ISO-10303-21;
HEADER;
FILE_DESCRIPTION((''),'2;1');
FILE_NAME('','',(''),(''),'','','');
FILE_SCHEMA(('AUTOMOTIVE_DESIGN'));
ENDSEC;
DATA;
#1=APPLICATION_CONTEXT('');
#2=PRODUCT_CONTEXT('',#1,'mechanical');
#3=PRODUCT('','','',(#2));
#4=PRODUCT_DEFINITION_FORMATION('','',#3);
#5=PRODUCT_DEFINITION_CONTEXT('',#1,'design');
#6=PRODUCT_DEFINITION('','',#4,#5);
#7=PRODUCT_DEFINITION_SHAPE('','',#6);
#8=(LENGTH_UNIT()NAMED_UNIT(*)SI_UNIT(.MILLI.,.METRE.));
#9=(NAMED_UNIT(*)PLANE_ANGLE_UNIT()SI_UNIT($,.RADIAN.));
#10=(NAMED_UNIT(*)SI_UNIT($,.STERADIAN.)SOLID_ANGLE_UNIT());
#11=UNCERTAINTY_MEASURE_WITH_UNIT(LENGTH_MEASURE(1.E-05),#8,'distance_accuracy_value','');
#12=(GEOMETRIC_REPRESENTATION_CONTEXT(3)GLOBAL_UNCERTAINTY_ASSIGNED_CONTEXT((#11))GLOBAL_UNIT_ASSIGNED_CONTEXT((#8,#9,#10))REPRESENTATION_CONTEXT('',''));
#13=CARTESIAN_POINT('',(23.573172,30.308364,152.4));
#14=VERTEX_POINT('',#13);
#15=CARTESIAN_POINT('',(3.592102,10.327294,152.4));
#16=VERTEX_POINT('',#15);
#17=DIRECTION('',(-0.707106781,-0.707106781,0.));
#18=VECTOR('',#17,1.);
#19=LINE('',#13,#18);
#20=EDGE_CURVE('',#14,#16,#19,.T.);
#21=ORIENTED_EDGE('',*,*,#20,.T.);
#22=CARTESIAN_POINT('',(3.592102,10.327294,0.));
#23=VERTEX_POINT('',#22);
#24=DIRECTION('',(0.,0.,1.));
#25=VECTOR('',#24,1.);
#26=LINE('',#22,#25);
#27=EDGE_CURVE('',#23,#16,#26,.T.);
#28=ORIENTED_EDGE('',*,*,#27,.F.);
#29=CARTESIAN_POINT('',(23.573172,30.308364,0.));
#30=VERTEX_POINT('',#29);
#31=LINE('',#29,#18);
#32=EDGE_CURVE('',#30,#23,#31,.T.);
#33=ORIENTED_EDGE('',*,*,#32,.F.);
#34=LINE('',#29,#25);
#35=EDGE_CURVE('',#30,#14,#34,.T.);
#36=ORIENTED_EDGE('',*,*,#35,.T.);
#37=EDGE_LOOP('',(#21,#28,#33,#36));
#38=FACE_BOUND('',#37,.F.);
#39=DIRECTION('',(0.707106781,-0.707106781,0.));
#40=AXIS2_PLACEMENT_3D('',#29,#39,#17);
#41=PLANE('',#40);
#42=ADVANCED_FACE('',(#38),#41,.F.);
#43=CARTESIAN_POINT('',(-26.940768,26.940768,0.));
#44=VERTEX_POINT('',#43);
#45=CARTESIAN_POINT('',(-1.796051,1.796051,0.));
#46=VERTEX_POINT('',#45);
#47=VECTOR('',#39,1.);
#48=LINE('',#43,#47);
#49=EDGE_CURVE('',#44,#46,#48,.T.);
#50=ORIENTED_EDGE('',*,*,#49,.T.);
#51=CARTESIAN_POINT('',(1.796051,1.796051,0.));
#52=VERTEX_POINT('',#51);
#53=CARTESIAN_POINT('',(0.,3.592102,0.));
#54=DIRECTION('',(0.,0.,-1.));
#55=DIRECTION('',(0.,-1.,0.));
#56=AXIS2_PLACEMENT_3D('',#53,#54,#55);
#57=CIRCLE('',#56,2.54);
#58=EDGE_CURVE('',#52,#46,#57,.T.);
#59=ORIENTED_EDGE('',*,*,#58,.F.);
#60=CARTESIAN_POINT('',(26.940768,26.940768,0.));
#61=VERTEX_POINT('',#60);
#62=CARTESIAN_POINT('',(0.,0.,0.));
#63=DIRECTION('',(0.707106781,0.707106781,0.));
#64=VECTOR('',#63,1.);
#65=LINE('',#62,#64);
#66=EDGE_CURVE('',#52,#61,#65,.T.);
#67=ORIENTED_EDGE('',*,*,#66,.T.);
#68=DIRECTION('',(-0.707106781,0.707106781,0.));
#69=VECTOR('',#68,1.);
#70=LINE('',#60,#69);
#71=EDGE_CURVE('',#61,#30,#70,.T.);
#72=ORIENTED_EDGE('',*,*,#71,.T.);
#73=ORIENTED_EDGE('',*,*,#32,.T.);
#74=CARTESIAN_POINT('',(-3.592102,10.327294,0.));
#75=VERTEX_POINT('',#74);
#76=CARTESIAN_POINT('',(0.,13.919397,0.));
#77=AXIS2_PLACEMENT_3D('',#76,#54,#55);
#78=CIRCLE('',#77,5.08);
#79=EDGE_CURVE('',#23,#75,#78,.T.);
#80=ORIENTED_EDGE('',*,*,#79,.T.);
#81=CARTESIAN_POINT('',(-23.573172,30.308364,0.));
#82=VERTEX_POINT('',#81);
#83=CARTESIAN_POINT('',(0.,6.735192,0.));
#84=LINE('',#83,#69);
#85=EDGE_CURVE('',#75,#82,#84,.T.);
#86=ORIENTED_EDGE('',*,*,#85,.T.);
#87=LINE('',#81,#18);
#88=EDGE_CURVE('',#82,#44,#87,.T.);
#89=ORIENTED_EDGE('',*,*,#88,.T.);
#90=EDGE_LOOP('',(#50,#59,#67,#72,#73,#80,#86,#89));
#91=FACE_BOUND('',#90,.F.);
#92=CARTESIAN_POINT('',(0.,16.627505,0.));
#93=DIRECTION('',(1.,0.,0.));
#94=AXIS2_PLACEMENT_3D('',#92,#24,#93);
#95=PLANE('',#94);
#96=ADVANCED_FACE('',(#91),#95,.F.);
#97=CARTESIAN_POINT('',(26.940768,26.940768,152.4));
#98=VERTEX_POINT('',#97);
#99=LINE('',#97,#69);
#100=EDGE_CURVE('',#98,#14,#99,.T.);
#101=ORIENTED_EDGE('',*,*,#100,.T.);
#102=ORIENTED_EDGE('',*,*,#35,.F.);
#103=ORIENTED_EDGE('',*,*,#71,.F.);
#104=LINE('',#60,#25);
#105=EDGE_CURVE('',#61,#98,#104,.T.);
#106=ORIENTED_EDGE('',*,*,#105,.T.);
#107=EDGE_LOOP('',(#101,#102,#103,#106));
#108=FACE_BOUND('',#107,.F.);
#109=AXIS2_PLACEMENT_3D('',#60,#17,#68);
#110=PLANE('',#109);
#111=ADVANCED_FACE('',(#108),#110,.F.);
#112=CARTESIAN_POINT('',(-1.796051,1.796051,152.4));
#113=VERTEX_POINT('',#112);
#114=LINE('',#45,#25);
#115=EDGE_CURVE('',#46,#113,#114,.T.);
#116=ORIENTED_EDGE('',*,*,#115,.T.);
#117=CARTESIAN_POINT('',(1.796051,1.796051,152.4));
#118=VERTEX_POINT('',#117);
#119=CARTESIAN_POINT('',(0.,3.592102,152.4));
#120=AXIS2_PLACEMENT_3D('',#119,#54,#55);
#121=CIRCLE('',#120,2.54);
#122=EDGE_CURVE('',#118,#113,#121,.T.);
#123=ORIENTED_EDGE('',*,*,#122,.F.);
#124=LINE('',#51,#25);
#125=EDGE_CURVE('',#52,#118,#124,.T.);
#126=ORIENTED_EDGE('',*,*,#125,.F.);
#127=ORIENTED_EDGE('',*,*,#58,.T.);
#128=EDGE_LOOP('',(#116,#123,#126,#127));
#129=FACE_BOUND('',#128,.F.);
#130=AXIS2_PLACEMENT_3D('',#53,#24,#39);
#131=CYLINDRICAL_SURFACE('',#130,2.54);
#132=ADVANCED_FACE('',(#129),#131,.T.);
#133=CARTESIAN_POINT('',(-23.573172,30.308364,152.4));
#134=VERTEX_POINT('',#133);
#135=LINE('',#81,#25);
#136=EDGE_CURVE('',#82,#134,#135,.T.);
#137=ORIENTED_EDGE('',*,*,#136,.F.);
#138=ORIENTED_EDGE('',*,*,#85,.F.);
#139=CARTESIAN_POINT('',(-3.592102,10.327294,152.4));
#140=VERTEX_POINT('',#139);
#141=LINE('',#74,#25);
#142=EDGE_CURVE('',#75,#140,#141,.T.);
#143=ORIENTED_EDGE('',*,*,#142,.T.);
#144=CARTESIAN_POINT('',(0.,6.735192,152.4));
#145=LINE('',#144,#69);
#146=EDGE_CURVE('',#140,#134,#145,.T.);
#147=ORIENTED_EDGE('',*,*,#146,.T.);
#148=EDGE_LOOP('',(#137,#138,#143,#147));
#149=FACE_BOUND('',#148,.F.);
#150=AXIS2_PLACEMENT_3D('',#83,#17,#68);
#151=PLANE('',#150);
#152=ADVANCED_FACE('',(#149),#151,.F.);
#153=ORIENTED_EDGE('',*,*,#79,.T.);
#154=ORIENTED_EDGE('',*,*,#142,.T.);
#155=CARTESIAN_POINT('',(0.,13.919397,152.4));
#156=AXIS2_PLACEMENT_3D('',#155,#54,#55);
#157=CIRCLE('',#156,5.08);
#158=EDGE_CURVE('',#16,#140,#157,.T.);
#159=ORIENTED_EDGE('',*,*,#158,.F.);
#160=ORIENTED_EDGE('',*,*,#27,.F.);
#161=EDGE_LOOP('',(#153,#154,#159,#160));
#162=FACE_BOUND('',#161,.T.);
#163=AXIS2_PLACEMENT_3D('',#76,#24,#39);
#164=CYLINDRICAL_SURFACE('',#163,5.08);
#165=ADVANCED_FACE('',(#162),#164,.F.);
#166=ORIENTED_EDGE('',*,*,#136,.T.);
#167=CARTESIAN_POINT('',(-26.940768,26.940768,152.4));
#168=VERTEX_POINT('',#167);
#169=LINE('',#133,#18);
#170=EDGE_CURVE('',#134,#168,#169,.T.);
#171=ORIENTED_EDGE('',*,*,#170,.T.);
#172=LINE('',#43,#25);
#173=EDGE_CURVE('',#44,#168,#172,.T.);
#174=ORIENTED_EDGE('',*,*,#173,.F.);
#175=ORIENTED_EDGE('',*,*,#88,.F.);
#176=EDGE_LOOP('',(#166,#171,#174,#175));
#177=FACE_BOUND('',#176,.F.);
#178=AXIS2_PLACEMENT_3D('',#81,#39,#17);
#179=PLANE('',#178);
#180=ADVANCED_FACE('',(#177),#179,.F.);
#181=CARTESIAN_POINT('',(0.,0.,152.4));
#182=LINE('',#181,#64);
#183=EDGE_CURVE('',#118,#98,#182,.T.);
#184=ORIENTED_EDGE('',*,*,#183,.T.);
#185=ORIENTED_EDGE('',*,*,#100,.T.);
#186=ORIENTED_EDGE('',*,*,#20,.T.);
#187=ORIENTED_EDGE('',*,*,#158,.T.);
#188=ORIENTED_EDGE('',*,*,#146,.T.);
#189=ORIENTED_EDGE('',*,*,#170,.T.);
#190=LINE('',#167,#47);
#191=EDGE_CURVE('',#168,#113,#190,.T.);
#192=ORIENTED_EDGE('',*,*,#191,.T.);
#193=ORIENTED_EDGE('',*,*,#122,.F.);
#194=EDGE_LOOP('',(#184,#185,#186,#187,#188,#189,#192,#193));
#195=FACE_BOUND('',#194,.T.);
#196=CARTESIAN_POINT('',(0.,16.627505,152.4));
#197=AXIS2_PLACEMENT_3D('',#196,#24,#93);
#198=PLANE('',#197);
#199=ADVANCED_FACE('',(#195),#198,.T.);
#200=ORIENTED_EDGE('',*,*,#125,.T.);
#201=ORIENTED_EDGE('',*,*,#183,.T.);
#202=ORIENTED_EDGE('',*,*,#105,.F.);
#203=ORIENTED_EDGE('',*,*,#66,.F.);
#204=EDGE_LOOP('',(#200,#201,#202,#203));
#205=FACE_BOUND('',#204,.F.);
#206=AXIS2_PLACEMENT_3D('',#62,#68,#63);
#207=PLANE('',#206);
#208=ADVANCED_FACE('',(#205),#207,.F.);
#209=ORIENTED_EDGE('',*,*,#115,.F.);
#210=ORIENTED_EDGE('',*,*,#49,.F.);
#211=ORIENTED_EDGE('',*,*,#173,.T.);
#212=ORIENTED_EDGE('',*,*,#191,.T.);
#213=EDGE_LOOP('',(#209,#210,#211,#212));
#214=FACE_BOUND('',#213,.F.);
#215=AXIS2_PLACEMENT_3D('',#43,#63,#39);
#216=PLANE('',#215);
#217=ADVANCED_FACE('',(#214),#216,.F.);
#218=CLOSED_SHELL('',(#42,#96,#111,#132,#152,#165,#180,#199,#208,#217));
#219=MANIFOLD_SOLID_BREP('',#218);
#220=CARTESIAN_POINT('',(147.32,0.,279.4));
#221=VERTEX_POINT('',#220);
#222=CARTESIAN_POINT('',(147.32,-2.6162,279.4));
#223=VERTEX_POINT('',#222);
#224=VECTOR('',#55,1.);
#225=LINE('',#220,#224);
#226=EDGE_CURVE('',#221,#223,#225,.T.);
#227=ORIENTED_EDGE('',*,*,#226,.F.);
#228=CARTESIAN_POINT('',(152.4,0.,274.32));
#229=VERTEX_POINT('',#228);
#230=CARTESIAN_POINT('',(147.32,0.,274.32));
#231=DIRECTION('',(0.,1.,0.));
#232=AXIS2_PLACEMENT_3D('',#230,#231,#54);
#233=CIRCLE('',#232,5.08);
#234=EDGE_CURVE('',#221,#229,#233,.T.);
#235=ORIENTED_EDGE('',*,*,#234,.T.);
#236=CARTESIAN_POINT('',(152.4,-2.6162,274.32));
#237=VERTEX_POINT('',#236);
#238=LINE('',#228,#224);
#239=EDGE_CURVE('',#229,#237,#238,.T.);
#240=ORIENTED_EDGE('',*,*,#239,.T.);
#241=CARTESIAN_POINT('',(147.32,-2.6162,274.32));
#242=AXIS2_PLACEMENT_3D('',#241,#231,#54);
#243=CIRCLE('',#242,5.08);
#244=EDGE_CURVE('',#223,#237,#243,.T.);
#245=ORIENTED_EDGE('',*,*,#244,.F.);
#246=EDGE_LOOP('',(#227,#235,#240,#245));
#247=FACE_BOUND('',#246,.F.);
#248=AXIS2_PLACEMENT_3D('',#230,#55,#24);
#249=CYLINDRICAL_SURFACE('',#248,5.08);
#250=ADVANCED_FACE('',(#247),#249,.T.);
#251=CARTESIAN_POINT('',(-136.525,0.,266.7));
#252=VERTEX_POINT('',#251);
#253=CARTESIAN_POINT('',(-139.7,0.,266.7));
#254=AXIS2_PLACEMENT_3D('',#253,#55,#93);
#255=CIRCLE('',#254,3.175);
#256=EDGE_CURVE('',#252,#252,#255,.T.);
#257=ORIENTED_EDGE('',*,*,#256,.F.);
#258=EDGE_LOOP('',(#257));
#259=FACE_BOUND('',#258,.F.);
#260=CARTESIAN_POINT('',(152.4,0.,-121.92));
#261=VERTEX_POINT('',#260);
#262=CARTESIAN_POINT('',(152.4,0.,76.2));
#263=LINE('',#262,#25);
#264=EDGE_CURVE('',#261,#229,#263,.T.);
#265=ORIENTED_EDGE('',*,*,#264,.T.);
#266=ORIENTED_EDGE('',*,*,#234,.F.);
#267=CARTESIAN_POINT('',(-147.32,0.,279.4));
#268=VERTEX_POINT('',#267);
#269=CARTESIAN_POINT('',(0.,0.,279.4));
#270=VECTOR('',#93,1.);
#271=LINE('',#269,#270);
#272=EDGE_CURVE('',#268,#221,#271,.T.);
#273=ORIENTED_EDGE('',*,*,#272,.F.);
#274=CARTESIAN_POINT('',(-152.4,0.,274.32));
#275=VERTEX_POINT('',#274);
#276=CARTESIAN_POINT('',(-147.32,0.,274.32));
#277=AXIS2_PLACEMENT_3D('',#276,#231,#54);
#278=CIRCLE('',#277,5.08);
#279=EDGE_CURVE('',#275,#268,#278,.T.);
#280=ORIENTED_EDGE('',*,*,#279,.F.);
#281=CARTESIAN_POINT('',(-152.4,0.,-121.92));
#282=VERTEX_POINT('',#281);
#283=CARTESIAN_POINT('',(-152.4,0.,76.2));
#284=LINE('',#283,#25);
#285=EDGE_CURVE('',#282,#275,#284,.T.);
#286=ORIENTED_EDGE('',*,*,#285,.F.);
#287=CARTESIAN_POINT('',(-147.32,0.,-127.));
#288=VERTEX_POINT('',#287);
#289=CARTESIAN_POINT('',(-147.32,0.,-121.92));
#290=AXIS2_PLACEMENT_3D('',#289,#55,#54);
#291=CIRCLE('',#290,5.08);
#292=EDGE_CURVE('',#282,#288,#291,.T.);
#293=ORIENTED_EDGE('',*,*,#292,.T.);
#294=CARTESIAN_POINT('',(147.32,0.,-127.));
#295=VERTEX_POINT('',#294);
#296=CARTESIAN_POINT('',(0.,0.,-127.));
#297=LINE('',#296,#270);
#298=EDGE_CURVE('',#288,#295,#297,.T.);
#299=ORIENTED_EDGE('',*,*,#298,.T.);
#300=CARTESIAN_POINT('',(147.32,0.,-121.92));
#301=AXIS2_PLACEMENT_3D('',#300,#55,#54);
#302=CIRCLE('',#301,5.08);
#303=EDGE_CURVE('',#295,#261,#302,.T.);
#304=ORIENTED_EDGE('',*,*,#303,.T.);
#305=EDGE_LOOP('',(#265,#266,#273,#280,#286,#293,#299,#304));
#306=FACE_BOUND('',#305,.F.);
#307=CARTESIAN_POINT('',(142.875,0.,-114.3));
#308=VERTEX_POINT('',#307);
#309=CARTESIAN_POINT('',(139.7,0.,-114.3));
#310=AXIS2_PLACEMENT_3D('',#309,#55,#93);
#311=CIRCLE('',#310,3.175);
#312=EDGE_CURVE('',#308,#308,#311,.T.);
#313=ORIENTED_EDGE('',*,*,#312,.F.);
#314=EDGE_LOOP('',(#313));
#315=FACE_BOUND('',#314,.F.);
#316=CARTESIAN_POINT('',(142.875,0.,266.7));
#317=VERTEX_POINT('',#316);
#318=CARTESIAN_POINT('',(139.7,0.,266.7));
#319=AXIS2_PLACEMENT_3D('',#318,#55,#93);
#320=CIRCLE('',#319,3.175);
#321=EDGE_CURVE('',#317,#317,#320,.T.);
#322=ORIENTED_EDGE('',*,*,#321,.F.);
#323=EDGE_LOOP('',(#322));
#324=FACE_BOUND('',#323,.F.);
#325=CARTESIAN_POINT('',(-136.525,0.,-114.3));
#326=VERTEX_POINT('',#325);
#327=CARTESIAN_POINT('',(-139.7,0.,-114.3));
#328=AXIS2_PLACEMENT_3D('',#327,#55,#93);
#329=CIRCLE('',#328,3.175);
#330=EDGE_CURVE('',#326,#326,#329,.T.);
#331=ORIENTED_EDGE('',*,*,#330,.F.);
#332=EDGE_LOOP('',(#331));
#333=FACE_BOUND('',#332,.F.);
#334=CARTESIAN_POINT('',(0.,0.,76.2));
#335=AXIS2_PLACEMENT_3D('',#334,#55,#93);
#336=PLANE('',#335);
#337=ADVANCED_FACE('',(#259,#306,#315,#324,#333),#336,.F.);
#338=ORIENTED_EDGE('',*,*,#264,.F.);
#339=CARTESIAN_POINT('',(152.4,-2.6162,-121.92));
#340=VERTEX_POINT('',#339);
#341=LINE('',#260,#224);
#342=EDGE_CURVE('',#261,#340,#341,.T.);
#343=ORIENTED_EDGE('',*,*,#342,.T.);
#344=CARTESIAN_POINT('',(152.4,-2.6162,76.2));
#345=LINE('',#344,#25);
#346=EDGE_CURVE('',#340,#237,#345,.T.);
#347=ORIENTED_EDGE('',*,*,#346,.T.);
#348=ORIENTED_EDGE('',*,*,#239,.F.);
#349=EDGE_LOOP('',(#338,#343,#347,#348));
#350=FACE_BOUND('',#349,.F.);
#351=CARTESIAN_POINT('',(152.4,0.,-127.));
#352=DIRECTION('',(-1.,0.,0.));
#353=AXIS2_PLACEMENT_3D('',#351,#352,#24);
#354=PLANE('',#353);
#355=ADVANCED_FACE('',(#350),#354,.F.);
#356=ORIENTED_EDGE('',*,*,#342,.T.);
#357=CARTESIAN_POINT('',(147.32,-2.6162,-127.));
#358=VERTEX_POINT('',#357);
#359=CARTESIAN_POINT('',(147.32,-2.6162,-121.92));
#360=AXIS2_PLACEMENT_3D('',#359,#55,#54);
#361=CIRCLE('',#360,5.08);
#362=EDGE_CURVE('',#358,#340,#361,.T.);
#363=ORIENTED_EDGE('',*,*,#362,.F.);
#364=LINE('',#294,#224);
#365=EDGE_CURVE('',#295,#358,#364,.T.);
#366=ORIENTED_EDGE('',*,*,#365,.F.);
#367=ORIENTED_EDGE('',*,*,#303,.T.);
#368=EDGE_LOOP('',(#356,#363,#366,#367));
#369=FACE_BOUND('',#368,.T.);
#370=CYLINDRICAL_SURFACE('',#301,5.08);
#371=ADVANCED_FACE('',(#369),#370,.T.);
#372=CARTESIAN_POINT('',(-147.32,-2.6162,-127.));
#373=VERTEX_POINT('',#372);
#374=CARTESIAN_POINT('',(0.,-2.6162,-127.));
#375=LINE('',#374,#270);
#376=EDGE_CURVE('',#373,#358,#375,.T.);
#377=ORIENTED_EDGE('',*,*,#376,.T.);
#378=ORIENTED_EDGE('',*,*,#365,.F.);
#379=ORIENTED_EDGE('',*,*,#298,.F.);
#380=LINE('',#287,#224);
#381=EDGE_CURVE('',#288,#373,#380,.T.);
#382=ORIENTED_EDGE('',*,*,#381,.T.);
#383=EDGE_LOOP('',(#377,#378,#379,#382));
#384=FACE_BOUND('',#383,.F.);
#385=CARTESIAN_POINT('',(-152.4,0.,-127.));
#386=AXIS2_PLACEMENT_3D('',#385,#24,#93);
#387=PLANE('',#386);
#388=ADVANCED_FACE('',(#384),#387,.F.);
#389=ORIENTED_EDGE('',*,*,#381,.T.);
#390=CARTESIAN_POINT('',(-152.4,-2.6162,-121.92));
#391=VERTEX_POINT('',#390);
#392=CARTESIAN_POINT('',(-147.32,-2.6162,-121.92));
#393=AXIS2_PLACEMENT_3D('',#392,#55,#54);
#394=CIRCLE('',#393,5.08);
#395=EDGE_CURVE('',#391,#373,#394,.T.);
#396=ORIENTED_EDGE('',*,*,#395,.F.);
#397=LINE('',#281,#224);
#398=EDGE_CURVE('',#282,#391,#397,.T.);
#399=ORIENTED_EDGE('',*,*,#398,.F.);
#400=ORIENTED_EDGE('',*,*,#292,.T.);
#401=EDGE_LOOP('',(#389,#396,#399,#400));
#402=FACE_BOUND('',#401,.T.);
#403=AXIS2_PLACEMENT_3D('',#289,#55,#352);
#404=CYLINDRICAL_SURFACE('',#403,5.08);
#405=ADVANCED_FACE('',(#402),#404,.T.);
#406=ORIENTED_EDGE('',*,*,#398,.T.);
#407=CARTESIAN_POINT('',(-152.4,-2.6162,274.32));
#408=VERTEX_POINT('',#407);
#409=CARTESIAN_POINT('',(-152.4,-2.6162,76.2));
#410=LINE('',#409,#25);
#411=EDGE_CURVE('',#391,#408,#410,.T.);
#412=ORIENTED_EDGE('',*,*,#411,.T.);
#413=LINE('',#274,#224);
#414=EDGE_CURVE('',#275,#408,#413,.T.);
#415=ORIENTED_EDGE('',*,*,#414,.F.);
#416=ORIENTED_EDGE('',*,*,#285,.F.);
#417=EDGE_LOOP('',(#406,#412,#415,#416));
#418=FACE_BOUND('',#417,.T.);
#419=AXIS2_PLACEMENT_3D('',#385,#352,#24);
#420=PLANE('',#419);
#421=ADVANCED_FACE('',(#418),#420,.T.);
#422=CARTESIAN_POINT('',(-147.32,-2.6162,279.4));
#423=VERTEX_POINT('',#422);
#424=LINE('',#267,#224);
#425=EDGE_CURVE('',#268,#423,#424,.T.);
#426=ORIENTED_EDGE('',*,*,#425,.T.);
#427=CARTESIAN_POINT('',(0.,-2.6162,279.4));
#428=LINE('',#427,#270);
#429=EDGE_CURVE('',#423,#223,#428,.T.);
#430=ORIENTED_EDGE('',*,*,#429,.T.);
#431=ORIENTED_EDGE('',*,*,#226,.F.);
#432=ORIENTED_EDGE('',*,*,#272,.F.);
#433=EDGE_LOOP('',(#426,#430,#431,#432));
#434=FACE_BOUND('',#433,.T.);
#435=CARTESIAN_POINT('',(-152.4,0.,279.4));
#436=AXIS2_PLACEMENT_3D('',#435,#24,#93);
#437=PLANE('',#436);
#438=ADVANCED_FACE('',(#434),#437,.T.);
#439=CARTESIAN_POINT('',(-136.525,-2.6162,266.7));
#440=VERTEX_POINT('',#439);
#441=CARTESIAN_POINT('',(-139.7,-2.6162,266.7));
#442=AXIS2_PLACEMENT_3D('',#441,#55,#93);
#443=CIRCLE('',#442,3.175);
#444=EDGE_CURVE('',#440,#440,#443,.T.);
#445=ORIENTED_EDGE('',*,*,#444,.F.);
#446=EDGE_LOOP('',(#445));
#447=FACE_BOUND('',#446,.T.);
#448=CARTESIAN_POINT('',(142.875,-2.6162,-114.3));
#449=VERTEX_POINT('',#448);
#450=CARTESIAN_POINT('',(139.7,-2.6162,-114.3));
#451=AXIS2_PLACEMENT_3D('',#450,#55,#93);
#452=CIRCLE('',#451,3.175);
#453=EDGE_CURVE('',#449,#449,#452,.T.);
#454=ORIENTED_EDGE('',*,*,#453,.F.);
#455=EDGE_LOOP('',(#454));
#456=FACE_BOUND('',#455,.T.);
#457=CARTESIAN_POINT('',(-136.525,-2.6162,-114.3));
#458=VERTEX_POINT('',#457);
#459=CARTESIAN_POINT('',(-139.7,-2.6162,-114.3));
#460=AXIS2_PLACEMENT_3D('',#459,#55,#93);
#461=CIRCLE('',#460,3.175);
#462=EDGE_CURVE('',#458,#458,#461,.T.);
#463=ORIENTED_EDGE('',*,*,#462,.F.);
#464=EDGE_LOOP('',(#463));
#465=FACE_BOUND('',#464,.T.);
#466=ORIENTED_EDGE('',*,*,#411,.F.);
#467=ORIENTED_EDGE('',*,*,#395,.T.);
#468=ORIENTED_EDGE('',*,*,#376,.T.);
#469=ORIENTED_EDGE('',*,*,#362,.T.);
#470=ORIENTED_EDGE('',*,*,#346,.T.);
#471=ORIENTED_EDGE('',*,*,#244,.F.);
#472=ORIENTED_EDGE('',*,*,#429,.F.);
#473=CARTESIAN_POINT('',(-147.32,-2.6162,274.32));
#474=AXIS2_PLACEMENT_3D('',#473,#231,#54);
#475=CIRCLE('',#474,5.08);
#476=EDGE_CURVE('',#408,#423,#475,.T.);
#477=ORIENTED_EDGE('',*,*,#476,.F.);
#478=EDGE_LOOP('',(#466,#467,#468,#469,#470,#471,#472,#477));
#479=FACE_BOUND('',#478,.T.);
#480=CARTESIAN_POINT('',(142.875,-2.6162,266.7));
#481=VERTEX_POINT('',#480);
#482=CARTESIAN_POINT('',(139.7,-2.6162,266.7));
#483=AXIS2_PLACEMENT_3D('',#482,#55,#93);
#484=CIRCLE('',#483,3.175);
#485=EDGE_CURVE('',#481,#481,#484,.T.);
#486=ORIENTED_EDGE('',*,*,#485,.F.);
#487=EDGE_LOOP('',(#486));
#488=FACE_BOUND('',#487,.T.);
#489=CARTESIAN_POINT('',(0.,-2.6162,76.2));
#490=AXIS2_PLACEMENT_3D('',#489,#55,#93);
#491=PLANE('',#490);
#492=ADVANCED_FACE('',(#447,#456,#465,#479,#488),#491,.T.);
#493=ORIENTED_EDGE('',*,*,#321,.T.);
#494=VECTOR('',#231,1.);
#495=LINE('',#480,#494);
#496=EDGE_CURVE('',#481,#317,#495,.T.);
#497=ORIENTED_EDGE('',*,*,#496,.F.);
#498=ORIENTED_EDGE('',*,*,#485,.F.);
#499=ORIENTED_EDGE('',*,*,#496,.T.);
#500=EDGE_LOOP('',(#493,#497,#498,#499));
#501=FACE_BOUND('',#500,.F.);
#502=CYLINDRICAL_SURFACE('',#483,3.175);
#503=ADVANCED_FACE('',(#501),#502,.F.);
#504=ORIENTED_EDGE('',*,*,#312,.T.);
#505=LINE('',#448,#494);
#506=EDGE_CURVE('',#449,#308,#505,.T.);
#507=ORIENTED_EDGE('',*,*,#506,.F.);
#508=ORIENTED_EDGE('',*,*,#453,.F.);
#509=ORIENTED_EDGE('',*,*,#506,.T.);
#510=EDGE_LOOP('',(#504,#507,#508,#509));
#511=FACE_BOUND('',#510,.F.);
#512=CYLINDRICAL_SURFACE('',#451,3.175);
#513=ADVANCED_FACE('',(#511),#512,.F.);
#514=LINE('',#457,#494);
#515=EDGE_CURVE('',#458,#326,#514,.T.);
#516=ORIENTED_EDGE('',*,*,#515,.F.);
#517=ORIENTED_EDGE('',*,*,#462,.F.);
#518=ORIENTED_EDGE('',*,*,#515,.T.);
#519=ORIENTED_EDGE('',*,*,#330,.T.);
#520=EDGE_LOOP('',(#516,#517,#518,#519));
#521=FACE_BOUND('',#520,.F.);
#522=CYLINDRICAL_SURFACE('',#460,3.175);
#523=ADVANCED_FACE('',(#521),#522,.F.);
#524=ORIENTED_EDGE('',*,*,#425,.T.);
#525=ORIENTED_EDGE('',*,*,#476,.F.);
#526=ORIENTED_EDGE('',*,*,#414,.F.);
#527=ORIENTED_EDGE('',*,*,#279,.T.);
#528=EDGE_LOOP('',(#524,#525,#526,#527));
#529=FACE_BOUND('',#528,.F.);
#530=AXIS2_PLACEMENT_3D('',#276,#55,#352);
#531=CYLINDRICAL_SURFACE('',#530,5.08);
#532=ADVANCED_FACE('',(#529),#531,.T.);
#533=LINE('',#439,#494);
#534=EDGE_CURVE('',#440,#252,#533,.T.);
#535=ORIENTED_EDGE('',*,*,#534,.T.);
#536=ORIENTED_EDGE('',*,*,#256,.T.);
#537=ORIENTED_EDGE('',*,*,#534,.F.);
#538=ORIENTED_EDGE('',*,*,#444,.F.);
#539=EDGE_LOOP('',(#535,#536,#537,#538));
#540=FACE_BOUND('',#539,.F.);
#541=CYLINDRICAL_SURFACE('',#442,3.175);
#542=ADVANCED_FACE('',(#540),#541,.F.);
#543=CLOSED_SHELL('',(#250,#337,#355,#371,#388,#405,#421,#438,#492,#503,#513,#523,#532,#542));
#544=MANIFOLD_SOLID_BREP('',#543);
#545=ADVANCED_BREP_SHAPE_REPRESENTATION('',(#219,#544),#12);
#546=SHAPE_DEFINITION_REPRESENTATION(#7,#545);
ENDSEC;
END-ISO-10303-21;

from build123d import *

# Parameters (mm, degrees)
F1_DEPTH = 152.4
F2_R     = 5.08
F3_R     = 2.54
F4_W     = 304.8
F4_H     = 406.4
F5_DEPTH = 2.6162
F6_R     = 3.175
F7_DEPTH = 32.925564
F8_R     = 5.08


with BuildPart() as f1:
    # F0 (on Top) → F1 (new body)
    with BuildSketch(Plane.XY):
        Polygon((-23.573172, 30.308364), (-26.940768, 26.940768), (0, 0), (26.940768, 26.940768), (23.573172, 30.308364), (0, 6.735192), align=None)
    extrude(amount=F1_DEPTH)

    # F2
    f2_edges = [f1.edges().sort_by_distance(p)[0] for p in [
        (0, 6.735192, 76.2),
    ]]
    fillet(f2_edges, radius=F2_R)

    # F3
    f3_edges = [f1.edges().sort_by_distance(p)[0] for p in [
        (0, 0, 76.2),
    ]]
    fillet(f3_edges, radius=F3_R)


with BuildPart() as f5:
    # F4 (on Front) → F5 (new body)
    with BuildSketch(Plane.XZ):
        with Locations((0, 76.2)):
            Rectangle(F4_W, F4_H)
    extrude(amount=F5_DEPTH)

    # F6 (on face) → F7 (cut, through all)
    with BuildSketch(Plane.XZ.offset(2.6162)):
        with Locations((-139.7, 266.7)):
            Circle(F6_R)
        with Locations((139.7, 266.7)):
            Circle(F6_R)
        with Locations((139.7, -114.3)):
            Circle(F6_R)
        with Locations((-139.7, -114.3)):
            Circle(F6_R)
    extrude(amount=-F7_DEPTH, mode=Mode.SUBTRACT)

    # F8
    f8_edges = [f5.edges().sort_by_distance(p)[0] for p in [
        (-152.4, -1.3081, 279.4),
        (152.4, -1.3081, 279.4),
        (152.4, -1.3081, -127),
        (-152.4, -1.3081, -127),
    ]]
    fillet(f8_edges, radius=F8_R)


solid = Compound([f1.part, f5.part])
